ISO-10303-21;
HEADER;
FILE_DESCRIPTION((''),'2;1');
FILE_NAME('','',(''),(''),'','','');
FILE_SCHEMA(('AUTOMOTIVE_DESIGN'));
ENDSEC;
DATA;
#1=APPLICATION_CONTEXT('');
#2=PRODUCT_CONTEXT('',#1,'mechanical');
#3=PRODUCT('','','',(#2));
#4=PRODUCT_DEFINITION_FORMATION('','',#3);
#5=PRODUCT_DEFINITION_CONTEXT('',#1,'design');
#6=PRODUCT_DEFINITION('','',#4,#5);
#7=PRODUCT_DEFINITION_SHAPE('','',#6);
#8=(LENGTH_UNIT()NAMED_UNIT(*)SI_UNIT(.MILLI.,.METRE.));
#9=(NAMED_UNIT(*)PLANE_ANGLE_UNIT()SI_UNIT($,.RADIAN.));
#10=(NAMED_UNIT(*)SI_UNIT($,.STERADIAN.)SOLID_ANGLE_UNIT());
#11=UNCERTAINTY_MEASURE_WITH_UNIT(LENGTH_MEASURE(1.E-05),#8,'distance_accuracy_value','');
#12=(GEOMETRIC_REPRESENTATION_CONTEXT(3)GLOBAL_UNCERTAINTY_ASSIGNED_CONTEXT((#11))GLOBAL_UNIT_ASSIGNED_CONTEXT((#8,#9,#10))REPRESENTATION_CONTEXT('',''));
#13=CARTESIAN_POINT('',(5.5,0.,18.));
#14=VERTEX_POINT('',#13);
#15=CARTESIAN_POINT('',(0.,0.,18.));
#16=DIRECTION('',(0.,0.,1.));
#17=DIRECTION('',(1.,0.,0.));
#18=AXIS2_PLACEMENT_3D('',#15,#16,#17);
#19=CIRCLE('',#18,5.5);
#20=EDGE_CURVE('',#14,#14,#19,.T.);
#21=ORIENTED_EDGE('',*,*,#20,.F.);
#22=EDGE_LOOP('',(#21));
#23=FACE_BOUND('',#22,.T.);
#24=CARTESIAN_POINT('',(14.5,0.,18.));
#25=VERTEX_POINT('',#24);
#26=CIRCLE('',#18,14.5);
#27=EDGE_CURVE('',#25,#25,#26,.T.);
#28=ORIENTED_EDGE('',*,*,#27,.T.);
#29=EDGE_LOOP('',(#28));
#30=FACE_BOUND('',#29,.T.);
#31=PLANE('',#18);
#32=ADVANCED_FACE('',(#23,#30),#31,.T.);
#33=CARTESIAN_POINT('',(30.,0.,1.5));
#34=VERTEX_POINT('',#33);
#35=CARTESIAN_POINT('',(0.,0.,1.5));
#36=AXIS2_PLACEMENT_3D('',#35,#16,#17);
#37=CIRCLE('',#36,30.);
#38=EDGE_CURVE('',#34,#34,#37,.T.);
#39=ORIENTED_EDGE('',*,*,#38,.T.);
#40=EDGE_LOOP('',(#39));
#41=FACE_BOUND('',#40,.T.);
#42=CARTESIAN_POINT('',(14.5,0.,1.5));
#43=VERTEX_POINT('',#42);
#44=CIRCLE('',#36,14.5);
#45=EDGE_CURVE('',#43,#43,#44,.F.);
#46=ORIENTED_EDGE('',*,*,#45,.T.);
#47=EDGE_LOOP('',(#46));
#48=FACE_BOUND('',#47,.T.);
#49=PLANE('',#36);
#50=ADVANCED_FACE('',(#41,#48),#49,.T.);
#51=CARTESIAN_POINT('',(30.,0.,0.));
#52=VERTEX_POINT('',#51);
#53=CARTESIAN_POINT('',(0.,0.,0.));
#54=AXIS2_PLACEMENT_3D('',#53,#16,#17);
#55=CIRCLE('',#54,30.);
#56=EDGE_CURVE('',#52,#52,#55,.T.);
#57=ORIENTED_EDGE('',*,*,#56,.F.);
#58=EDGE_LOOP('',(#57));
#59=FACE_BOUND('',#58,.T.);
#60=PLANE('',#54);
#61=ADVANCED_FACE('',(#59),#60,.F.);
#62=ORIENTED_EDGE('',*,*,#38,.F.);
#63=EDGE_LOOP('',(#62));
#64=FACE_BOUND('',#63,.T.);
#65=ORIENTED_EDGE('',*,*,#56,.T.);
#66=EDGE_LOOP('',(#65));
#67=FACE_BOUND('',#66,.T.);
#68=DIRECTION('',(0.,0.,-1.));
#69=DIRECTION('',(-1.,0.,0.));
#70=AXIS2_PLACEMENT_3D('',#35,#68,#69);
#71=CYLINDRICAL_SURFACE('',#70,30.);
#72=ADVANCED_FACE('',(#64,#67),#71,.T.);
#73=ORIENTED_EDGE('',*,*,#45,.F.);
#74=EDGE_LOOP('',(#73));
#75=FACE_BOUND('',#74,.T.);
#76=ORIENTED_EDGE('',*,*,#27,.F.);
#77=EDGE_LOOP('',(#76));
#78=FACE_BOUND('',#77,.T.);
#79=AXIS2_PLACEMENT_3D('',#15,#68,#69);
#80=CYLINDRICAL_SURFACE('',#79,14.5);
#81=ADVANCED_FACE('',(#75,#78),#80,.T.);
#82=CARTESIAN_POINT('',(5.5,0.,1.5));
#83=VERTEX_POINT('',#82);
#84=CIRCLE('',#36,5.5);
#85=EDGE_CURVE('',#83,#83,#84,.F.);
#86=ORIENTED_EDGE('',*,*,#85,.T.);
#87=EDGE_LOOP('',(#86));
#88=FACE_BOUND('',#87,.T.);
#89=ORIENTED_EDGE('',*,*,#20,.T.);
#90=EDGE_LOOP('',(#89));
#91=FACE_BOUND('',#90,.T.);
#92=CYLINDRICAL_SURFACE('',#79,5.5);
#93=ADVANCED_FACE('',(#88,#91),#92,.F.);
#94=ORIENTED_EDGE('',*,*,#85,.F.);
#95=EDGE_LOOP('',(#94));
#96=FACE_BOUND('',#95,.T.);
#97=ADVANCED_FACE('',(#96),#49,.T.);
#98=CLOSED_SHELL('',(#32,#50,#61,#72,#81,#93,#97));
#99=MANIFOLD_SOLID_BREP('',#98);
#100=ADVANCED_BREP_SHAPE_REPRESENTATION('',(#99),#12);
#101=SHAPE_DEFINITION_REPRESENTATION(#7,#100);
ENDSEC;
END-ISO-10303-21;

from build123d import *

# Parameters (mm, degrees)
SKETCH1_R           = 30
BOSS_EXTRUDE1_DEPTH = 1.5
SKETCH2_R           = 14.5
SKETCH2_R_2         = 5.5
EXTRUDE_THIN1_DEPTH = 18


with BuildPart() as part:
    # Sketch1 → Boss-Extrude1 (new body)
    with BuildSketch(Plane.XY):
        Circle(SKETCH1_R)
    extrude(amount=BOSS_EXTRUDE1_DEPTH)

    # Sketch2 → Extrude-Thin1 (add)
    with BuildSketch(Plane.XY):
        Circle(SKETCH2_R)
        Circle(SKETCH2_R_2, mode=Mode.SUBTRACT)
    extrude(amount=EXTRUDE_THIN1_DEPTH)


solid = part.part
